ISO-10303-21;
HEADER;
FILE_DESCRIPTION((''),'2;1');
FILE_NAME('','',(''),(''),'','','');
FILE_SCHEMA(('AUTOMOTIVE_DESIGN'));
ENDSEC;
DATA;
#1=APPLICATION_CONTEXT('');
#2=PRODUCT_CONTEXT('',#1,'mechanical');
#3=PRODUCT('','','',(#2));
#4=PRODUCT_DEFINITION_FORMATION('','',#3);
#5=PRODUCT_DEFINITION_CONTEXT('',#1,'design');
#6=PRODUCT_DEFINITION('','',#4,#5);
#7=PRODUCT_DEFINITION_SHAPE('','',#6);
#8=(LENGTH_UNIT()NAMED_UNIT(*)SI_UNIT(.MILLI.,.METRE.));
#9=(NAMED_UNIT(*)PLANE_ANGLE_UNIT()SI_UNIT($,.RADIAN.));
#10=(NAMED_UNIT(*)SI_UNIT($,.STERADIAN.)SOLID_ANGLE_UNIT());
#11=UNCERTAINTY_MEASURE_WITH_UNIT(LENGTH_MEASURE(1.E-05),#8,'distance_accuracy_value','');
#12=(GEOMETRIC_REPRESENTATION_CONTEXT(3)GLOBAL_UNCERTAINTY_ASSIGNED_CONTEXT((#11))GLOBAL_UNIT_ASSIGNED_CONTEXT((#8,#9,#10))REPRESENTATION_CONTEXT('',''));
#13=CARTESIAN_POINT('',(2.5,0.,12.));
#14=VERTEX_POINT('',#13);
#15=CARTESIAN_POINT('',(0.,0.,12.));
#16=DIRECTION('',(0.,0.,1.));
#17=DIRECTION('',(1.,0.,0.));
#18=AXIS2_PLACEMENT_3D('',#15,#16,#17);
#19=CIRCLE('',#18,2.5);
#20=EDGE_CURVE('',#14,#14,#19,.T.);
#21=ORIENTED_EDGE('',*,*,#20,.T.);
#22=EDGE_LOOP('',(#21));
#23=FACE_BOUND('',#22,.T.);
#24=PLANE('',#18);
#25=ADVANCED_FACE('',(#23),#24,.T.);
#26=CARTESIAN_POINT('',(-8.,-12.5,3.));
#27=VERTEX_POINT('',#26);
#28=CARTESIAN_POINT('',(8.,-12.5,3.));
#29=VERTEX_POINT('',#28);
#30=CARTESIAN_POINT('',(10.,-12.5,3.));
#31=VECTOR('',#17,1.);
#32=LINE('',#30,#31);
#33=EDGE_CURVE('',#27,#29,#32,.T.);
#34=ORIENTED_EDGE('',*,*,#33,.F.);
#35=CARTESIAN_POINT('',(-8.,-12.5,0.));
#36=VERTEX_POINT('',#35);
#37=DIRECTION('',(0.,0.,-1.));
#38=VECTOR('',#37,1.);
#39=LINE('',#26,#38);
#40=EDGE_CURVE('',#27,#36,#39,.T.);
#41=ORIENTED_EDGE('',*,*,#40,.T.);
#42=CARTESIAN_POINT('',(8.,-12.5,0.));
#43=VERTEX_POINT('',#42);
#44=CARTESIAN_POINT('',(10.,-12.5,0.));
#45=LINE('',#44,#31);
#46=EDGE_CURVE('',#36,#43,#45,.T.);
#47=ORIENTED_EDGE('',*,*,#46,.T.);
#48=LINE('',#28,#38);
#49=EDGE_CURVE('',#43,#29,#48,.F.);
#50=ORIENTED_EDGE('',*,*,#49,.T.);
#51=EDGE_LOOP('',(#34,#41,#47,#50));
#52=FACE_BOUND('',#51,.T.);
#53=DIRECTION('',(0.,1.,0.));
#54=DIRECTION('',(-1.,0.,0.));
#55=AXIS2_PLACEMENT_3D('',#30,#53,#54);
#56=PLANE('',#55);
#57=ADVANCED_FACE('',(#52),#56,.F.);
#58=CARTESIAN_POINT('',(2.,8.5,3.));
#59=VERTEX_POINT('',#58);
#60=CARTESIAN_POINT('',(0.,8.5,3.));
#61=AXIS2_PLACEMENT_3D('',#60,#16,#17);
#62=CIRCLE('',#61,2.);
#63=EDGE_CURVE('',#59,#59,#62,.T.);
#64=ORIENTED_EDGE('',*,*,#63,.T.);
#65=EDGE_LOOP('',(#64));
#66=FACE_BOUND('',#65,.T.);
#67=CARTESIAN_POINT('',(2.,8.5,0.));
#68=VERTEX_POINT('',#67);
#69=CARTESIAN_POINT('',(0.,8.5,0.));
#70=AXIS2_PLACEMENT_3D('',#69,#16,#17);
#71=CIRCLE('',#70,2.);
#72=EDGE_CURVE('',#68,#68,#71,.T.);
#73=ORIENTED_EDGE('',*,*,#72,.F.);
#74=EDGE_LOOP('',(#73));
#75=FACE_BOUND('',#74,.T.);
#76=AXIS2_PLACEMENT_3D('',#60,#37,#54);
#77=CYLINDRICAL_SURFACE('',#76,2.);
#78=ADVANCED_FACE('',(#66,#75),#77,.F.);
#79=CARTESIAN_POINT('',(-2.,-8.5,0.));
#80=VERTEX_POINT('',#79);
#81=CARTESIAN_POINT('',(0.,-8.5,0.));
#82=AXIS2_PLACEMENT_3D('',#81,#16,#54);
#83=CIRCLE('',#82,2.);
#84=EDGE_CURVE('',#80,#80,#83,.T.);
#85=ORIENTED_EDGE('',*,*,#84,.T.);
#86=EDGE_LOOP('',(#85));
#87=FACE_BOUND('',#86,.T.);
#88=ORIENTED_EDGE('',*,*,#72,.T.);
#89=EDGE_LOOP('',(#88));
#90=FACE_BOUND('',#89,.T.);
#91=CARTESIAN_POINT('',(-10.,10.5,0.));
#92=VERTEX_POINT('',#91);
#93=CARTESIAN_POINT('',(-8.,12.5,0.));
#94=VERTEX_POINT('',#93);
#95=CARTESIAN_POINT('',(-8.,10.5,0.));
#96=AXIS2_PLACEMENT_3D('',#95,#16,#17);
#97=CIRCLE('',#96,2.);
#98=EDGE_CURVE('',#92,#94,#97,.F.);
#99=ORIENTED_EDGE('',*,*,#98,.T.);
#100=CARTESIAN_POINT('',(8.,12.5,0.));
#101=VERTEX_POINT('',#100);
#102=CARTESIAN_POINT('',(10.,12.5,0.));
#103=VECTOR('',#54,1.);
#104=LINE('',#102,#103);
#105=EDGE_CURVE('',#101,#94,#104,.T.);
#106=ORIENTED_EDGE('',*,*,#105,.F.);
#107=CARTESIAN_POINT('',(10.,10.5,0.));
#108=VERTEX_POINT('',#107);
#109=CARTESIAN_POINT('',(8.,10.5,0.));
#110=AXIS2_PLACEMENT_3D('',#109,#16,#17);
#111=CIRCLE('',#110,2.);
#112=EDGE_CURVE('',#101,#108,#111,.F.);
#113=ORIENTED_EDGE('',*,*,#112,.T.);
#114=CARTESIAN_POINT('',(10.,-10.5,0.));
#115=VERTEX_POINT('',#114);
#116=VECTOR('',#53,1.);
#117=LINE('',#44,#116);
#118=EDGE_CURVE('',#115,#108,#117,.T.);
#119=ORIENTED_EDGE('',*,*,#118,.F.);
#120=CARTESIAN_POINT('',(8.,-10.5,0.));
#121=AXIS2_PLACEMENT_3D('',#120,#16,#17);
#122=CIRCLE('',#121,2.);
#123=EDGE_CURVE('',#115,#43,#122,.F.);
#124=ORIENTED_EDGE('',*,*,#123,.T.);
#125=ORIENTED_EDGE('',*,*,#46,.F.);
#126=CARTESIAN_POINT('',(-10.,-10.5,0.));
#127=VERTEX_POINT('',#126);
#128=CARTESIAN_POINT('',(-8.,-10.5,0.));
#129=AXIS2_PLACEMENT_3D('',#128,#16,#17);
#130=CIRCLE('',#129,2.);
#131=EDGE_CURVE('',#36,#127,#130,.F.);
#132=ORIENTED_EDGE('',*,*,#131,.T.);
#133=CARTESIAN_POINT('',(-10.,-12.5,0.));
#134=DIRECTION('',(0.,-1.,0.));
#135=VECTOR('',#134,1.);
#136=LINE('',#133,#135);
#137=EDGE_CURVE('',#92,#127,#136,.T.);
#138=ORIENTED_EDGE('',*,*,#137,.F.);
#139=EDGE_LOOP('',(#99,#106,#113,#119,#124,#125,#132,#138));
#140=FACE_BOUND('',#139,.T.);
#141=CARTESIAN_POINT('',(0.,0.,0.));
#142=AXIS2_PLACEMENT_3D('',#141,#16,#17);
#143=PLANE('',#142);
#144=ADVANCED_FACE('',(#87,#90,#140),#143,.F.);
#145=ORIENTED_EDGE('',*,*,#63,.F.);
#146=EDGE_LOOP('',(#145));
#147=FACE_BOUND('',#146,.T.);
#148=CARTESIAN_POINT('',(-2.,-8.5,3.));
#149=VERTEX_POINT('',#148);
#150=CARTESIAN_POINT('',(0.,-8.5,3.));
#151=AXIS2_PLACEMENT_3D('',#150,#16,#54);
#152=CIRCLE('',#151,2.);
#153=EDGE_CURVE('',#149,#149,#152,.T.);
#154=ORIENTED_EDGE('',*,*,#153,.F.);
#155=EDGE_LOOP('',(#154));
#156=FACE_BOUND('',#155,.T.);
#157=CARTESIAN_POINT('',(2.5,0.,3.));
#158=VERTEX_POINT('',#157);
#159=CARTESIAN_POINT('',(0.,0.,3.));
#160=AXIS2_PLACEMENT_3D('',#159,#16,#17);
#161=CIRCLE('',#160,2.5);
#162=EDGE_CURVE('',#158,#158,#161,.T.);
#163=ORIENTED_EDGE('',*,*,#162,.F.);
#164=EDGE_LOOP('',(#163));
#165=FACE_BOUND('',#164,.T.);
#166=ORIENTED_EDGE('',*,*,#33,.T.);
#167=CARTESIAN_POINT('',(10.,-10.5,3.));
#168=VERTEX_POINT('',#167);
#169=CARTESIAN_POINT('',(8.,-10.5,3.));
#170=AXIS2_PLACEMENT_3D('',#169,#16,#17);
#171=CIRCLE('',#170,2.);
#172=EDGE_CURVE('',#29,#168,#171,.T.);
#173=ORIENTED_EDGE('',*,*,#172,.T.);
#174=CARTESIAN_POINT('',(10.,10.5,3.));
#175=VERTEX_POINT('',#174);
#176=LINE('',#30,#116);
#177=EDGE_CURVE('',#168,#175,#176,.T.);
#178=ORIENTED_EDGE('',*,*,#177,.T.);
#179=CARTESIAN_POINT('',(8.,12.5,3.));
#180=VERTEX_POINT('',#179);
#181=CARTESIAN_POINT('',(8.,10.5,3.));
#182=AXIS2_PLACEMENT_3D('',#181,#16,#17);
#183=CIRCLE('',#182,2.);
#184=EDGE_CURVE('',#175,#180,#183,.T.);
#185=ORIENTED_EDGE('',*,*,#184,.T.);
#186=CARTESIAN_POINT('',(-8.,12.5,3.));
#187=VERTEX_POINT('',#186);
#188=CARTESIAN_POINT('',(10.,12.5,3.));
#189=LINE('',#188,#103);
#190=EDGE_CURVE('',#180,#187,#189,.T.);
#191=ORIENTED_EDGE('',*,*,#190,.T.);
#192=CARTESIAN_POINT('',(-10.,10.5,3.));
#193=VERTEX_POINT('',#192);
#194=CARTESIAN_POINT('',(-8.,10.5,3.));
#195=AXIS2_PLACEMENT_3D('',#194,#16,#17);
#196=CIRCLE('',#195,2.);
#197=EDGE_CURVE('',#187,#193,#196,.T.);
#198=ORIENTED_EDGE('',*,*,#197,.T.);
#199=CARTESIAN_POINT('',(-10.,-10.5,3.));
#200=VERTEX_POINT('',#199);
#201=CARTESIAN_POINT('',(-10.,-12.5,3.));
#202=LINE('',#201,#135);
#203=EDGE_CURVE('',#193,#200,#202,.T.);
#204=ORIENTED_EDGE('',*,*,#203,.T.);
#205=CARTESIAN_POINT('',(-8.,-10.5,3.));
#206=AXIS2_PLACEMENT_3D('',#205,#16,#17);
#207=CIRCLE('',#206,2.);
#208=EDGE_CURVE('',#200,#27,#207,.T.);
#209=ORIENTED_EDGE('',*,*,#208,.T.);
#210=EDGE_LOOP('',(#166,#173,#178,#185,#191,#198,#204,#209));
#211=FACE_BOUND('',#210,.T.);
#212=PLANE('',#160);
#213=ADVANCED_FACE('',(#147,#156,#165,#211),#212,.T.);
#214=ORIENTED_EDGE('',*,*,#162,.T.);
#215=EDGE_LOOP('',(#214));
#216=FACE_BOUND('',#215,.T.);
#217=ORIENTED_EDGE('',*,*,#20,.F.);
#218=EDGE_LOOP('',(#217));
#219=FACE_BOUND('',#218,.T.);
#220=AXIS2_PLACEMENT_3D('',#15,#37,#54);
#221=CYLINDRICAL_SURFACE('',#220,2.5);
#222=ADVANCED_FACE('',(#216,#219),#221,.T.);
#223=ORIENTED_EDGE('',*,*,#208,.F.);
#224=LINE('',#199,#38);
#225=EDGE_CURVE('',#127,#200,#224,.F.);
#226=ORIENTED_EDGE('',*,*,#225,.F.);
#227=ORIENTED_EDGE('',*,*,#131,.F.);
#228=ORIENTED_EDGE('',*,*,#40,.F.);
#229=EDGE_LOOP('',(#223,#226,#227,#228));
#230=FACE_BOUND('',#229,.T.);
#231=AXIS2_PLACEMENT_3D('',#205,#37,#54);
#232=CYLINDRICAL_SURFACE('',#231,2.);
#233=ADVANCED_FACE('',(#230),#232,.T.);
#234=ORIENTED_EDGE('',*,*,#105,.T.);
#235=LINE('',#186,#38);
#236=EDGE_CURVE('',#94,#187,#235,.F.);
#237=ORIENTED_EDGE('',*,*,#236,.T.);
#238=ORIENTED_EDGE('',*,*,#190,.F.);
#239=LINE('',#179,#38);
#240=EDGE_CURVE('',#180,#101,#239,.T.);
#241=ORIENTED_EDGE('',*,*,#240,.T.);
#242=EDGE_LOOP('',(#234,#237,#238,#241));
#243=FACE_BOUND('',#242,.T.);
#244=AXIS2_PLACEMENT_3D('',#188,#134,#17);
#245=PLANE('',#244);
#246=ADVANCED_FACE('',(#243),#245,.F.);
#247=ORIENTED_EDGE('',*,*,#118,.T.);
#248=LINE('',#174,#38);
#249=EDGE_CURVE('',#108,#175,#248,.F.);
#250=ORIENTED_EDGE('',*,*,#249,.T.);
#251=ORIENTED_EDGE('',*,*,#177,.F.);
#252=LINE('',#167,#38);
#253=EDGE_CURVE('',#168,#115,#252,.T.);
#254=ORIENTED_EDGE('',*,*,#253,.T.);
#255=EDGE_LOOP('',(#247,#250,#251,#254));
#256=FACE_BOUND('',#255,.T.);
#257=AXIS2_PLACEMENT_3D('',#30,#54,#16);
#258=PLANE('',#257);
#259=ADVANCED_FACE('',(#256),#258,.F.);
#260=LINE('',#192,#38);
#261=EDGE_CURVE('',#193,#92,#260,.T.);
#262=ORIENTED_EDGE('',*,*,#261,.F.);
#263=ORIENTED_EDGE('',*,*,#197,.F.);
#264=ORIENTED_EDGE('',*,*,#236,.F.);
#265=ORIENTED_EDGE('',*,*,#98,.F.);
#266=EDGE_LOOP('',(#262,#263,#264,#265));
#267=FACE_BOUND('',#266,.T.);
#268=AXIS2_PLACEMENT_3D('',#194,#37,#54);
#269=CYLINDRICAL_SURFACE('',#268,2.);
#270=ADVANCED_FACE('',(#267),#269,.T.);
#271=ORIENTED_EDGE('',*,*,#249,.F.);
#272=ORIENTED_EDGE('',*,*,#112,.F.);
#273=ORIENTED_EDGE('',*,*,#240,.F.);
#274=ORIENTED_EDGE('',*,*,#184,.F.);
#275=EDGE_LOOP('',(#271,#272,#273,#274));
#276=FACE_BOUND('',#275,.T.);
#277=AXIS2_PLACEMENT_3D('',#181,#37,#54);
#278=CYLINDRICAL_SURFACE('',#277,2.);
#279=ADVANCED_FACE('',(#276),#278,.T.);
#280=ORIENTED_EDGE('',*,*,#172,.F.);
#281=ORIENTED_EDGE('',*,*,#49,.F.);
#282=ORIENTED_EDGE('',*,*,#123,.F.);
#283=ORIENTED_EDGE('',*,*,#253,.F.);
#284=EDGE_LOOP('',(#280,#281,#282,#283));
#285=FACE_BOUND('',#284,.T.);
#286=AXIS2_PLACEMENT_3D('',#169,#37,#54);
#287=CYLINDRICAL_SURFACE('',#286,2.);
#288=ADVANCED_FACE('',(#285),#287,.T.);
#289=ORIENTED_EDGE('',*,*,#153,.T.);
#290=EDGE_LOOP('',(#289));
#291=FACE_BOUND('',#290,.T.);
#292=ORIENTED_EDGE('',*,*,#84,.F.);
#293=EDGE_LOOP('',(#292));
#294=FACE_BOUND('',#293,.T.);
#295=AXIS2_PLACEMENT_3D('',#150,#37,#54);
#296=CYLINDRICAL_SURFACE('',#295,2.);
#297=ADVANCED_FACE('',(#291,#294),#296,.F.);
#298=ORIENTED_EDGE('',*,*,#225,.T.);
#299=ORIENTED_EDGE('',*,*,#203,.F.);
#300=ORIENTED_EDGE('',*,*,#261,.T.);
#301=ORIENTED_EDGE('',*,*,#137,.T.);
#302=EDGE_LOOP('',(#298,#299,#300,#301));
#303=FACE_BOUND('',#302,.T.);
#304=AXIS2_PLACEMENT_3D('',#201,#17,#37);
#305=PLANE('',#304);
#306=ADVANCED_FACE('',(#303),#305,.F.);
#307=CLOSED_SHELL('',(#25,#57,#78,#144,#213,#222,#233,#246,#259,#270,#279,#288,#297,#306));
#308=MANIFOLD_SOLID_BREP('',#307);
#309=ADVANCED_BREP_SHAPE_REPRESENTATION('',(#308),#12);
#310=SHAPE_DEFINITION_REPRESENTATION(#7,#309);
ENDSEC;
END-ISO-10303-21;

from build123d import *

# Parameters (mm, degrees)
ESQUISSE1_W        = 20
ESQUISSE1_H        = 25
ESQUISSE1_R        = 2
BOSS_EXTRU_1_DEPTH = 3
CONG_1_R           = 2
ESQUISSE2_R        = 2.5
BOSS_EXTRU_3_DEPTH = 9


with BuildPart() as part:
    # Esquisse1 → Boss.-Extru.1 (new body)
    with BuildSketch(Plane.XY):
        Rectangle(ESQUISSE1_W, ESQUISSE1_H)
        with Locations((0, 8.5)):
            Circle(ESQUISSE1_R, mode=Mode.SUBTRACT)
        with Locations(Location((0, -8.5, 0), (0, 0, 180))):
            Circle(ESQUISSE1_R, mode=Mode.SUBTRACT)
    extrude(amount=BOSS_EXTRU_1_DEPTH)

    # Congé1
    cong_1_edges = [part.edges().sort_by_distance(p)[0] for p in [
        (-10, 12.5, 1.5),
        (10, 12.5, 1.5),
        (10, -12.5, 1.5),
        (-10, -12.5, 1.5),
    ]]
    fillet(cong_1_edges, radius=CONG_1_R)

    # Esquisse2 → Boss.-Extru.3 (add)
    with BuildSketch(Plane.XY.offset(3)):
        Circle(ESQUISSE2_R)
    extrude(amount=BOSS_EXTRU_3_DEPTH)


solid = part.part
